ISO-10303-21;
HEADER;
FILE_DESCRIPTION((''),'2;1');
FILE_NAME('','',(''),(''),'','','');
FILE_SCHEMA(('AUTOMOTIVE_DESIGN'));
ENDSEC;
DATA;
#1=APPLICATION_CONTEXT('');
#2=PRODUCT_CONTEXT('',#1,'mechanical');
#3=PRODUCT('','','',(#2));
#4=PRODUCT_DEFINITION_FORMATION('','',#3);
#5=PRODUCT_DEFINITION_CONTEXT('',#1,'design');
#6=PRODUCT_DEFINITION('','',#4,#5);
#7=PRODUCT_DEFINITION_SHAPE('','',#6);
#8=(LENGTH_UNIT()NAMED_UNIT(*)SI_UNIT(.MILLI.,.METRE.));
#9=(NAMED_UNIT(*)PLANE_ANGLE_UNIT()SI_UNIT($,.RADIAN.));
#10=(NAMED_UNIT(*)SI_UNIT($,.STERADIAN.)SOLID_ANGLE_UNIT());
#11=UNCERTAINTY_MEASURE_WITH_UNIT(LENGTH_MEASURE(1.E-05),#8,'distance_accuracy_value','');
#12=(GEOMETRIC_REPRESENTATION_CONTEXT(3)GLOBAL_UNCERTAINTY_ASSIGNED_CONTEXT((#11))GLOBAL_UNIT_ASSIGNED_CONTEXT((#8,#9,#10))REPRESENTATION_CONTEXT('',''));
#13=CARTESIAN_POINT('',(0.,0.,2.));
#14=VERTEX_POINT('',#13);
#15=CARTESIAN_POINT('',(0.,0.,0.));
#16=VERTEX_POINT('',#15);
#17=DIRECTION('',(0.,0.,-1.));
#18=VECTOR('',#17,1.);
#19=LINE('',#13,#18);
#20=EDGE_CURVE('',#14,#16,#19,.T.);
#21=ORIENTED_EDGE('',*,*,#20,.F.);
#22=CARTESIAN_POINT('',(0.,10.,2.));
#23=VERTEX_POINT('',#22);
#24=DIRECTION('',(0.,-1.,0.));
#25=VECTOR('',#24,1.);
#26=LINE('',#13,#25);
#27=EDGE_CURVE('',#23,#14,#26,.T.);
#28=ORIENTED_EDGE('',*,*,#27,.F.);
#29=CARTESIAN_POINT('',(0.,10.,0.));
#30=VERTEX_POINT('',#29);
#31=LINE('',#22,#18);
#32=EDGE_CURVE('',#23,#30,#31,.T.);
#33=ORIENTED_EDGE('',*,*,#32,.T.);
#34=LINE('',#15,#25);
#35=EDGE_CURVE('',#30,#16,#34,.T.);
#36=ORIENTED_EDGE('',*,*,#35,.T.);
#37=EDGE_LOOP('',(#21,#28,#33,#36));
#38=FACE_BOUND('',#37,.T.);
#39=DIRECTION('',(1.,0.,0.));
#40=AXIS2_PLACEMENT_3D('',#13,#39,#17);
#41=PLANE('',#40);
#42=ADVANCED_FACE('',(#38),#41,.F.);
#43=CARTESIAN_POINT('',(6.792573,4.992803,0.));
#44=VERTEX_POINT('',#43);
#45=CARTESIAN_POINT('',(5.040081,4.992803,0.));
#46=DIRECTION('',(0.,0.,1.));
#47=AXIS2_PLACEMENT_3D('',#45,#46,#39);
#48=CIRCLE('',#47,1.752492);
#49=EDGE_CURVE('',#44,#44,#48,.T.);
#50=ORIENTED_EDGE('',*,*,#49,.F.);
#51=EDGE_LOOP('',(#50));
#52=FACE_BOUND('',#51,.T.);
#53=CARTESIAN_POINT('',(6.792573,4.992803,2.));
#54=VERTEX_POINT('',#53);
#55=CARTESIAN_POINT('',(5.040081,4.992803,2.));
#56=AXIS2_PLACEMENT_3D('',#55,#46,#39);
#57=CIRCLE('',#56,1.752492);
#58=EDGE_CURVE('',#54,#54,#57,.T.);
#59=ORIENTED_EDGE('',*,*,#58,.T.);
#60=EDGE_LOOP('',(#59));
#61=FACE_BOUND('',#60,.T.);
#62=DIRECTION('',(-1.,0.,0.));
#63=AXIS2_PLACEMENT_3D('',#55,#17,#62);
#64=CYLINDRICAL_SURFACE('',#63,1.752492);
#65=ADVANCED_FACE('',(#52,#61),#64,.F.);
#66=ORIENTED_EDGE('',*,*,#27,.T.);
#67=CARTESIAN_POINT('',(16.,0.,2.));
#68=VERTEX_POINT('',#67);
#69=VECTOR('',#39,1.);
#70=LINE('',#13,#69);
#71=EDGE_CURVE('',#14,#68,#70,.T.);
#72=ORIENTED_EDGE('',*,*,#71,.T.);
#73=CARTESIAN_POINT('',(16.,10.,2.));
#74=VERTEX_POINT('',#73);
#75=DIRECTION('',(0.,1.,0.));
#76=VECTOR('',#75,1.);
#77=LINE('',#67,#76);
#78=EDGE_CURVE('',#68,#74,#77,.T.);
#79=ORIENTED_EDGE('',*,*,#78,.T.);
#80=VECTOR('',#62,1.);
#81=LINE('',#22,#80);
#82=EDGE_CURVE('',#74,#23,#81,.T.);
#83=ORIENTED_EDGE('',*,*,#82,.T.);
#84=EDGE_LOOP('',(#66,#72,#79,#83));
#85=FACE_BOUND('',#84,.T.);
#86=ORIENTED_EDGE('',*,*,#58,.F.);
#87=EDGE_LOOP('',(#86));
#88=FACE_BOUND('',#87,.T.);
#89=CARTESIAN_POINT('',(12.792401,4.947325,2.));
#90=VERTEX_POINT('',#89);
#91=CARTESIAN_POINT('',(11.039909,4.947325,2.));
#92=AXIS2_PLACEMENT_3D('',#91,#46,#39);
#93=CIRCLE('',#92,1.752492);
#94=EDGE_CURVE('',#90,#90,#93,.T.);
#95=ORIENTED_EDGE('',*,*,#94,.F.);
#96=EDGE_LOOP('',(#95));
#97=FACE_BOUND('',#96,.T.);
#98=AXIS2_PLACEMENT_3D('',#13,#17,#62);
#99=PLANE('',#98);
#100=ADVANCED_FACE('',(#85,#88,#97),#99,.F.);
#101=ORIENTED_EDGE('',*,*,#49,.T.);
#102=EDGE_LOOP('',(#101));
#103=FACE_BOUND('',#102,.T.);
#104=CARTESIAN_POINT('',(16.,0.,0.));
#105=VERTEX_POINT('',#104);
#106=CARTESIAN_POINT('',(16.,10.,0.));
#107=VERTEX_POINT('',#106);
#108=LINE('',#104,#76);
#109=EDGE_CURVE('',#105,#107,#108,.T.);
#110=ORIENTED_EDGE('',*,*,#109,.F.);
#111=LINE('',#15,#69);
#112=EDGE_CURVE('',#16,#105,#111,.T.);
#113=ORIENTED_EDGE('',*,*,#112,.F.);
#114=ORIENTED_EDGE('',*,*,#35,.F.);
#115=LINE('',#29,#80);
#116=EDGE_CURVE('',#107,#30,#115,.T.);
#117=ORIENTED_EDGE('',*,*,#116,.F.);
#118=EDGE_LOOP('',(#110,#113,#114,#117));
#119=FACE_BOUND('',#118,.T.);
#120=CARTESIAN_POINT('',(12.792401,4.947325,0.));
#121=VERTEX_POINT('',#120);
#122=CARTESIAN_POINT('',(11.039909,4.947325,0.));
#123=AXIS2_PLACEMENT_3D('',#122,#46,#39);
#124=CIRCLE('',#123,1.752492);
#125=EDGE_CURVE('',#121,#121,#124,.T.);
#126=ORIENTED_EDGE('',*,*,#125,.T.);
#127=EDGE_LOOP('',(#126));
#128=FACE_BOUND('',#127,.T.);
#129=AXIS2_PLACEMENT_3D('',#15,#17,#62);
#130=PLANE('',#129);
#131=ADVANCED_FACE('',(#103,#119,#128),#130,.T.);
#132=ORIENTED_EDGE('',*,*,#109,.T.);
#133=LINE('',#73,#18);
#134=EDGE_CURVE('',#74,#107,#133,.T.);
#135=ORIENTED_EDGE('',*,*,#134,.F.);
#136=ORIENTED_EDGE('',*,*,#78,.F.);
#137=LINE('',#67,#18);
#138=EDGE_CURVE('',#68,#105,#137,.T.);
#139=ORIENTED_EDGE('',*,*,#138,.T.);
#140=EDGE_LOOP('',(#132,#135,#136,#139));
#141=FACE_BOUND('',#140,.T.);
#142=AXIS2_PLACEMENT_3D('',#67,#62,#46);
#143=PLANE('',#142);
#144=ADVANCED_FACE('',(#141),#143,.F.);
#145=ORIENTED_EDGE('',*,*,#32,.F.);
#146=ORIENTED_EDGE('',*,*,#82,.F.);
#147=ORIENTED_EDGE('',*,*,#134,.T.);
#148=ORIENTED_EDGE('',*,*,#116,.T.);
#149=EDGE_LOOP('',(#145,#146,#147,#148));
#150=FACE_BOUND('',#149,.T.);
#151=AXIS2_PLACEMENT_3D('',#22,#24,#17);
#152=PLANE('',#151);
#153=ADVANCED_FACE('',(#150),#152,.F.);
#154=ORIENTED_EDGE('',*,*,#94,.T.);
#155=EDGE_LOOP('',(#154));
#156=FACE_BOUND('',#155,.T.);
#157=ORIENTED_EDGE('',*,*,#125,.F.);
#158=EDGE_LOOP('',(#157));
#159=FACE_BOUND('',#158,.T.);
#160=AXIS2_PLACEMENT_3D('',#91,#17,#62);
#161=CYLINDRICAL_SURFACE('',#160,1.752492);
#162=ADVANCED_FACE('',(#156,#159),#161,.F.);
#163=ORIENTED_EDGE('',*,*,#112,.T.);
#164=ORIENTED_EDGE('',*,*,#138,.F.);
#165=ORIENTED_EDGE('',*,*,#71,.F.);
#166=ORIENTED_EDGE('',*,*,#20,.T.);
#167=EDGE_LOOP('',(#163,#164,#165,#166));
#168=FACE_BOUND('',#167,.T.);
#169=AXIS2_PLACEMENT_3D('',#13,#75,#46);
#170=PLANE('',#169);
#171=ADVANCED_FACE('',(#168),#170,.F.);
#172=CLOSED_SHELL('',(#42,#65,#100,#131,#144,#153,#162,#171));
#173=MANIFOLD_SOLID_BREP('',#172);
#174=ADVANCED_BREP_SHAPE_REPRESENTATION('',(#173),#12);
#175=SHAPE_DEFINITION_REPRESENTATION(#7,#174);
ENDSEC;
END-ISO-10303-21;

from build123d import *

# Parameters (mm, degrees)
SKETCH_1_W      = 16
SKETCH_1_H      = 10
SKETCH_1_R      = 1.752491691
EXTRUDE_1_DEPTH = 2


with BuildPart() as part:
    # 草图1 → 凸台-拉伸1 (new body)
    with BuildSketch(Plane.XY):
        with Locations((8, 5)):
            Rectangle(SKETCH_1_W, SKETCH_1_H)
        with Locations((5.040081237, 4.992802608)):
            Circle(SKETCH_1_R, mode=Mode.SUBTRACT)
        with Locations((11.039908886, 4.947325376)):
            Circle(SKETCH_1_R, mode=Mode.SUBTRACT)
    extrude(amount=EXTRUDE_1_DEPTH)


solid = part.part
